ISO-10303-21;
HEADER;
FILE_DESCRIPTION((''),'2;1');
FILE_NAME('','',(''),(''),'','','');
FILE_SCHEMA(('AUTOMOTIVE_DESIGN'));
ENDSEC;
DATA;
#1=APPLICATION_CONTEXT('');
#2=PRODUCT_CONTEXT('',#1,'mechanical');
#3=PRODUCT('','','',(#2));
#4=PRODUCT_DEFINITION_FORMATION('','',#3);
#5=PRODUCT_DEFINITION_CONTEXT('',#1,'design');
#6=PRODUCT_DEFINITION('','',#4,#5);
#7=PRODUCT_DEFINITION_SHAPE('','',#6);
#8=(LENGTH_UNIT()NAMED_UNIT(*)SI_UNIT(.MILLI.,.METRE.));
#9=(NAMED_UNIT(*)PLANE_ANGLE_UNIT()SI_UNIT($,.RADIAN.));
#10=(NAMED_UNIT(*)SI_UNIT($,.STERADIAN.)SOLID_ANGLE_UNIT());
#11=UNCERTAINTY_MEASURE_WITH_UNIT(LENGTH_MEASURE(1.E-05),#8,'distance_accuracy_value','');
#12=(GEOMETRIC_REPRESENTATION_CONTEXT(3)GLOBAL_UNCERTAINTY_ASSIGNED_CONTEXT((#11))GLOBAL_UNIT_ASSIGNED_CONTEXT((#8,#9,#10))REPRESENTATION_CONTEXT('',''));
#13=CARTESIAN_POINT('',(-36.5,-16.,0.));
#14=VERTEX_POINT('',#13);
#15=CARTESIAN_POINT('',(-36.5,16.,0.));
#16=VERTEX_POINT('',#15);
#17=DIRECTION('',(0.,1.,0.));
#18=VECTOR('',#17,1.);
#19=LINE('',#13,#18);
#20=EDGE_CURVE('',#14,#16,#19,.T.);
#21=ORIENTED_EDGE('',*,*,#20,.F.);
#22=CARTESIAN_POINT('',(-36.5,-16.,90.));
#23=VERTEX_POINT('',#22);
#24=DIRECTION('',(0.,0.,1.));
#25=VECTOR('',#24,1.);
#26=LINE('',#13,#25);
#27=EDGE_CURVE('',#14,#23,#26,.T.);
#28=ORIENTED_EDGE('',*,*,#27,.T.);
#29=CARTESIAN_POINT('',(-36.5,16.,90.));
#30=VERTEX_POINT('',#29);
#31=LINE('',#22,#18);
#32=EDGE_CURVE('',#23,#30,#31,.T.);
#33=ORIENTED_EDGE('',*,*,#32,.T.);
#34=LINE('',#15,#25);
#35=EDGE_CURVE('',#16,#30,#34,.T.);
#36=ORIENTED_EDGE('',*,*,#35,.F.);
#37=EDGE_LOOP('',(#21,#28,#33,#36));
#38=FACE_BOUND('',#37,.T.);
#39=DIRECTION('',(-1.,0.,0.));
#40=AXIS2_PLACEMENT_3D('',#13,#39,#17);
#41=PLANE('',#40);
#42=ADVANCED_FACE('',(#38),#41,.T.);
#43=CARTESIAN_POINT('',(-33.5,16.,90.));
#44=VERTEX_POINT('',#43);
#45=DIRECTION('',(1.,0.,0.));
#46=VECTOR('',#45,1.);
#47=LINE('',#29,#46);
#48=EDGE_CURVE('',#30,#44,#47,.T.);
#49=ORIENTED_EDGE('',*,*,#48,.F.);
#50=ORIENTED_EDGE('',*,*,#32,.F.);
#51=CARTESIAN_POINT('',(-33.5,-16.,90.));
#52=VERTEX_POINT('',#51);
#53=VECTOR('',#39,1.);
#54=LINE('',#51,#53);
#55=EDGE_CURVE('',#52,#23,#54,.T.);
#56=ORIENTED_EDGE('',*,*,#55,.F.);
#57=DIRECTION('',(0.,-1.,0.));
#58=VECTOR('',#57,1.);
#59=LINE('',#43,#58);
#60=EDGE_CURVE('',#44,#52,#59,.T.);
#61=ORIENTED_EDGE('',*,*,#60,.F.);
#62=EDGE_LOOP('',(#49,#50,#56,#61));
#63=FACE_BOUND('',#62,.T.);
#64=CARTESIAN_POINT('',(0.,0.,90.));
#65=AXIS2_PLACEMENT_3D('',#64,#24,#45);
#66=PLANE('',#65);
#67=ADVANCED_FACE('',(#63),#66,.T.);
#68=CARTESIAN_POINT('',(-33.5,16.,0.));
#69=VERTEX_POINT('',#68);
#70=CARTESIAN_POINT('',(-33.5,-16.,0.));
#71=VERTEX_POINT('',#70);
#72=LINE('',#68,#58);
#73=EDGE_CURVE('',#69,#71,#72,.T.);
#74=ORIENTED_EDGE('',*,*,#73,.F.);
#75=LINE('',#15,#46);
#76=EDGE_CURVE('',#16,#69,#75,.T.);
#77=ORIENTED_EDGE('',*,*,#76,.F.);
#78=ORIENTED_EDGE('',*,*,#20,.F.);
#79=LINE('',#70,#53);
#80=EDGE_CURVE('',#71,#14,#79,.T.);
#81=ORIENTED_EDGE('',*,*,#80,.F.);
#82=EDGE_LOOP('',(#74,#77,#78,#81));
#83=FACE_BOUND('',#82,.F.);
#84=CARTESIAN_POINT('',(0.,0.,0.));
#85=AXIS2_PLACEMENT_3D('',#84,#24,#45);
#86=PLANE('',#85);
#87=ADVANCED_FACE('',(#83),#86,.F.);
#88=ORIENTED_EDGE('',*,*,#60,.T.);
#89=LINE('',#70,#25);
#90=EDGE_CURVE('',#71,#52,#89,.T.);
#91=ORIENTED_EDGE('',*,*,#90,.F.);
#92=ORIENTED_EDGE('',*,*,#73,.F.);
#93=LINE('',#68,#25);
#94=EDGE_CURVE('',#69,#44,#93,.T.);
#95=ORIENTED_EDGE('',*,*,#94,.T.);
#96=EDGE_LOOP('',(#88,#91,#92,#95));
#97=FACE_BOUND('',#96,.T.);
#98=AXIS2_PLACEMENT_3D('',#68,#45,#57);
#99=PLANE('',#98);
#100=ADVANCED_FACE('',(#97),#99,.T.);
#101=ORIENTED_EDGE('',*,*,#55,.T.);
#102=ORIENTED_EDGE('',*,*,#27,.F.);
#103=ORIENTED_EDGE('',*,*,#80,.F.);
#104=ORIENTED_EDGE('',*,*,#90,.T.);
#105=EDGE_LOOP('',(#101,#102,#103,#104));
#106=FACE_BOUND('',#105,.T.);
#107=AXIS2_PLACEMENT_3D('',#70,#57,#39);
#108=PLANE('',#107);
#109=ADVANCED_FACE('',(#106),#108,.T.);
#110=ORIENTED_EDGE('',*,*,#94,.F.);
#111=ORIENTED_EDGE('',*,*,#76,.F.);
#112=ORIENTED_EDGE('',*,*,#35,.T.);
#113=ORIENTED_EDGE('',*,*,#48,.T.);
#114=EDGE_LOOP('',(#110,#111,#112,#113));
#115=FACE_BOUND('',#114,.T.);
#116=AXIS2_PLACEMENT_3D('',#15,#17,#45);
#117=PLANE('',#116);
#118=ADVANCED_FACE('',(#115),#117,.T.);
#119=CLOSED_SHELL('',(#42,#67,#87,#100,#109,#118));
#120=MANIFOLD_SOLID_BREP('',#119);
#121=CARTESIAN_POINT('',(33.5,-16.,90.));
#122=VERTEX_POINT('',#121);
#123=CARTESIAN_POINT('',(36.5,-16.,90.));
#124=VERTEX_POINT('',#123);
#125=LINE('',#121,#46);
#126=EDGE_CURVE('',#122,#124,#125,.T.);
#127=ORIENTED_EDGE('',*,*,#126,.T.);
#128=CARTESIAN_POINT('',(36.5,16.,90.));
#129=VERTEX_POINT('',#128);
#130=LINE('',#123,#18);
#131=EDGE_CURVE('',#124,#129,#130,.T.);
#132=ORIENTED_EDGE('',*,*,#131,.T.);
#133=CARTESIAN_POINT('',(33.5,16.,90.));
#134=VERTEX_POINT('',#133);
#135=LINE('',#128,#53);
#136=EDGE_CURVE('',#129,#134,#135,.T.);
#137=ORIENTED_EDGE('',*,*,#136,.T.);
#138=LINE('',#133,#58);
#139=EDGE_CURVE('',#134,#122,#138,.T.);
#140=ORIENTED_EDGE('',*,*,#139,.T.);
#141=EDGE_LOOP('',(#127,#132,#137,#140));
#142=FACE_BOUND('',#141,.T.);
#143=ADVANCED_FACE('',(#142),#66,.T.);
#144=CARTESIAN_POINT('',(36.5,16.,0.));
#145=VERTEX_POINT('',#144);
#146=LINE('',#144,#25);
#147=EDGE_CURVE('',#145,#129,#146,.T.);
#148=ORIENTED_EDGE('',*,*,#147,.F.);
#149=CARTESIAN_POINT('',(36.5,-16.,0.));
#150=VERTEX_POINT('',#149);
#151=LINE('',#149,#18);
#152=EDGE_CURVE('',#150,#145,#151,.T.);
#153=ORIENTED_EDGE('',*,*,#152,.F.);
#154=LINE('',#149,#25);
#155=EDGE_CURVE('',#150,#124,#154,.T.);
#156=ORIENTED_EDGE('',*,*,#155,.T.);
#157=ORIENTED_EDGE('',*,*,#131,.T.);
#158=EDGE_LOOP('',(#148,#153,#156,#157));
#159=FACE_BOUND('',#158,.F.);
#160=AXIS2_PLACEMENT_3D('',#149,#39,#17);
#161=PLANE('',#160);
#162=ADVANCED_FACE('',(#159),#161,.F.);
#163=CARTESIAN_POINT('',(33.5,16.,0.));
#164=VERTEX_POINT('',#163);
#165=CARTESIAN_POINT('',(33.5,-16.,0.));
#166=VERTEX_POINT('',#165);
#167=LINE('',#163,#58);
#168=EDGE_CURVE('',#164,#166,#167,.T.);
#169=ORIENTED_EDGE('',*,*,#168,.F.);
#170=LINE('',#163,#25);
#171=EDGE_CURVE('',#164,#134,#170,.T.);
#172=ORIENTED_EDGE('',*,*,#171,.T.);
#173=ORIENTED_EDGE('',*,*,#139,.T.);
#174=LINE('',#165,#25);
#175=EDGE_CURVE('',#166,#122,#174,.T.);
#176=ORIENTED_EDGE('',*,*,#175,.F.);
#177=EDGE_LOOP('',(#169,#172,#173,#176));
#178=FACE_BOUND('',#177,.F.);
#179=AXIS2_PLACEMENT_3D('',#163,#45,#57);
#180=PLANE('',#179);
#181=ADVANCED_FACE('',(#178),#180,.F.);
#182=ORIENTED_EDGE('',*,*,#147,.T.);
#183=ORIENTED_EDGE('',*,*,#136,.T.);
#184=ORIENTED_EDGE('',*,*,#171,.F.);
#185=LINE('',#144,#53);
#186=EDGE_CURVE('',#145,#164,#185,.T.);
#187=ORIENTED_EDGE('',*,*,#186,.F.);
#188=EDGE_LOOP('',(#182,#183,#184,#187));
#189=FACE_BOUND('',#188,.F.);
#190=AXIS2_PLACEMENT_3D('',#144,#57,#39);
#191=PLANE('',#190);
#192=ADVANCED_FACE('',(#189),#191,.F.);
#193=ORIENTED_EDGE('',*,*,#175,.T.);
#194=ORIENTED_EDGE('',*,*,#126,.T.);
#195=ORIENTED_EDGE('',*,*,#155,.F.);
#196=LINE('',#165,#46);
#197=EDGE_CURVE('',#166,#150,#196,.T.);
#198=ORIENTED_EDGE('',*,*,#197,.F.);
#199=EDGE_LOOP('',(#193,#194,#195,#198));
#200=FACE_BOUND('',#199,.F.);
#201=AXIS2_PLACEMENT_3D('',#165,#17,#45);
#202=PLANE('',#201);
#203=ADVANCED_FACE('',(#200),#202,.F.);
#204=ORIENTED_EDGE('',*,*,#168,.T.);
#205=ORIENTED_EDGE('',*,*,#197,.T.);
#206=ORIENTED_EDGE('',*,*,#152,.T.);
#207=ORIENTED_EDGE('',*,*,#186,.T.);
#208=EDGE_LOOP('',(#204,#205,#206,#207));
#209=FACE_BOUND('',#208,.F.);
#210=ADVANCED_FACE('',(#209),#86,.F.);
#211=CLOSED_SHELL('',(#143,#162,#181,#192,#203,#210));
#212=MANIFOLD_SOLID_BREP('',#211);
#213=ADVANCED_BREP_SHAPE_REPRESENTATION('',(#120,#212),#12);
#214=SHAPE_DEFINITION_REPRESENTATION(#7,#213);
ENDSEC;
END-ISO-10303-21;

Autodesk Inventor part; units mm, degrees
ref_plane "YZ Plane" through (0, 0, 0) normal (1, 0, 0) x (0, 1, 0)
ref_plane "XZ Plane" through (0, 0, 0) normal (0, 1, 0) x (-1, 0, 0)
ref_plane "XY Plane" through (0, 0, 0) normal (0, 0, 1) x (1, 0, 0)
sketch "Sketch1" plane through (0, 0, 0) normal (0, 0, 1) x (1, 0, 0)
  line L0 (-36.5, 16) -> (36.5, 16) construction
  line L1 (-36.5, 16) -> (-33.5, 16)
  line L2 (-33.5, 16) -> (-33.5, -16)
  line L3 (-33.5, -16) -> (-36.5, -16)
  line L4 (-36.5, -16) -> (-36.5, 16)
  line L5 (0, 16) -> (0, -16) construction
  line L6 (36.5, 16) -> (33.5, 16)
  line L7 (33.5, 16) -> (33.5, -16)
  line L8 (33.5, -16) -> (36.5, -16)
  line L9 (36.5, -16) -> (36.5, 16)
  point P0 (0, 0)
  dimension "d0" = 73
  dimension "d1" = 3
  dimension "d2" = 32
  dimension "d3" = 16
extrude "Extrusion1" add sketch "Sketch1" along normal blind 90
equation "\"d0\" = Esla_Bas_Largo"
equation "\"d1\" = Esla_Bas_Espesor"
equation "\"d2\" = Esla_Bas_Ancho"
equation "\"Esla_Bas_Largo\" = 73"
equation "\"Esla_Bas_Espesor\" = 3"
equation "\"Esla_Bas_Ancho\" = 32"
properties part number "Eslabón2_Largo" material "Stainless Steel"
